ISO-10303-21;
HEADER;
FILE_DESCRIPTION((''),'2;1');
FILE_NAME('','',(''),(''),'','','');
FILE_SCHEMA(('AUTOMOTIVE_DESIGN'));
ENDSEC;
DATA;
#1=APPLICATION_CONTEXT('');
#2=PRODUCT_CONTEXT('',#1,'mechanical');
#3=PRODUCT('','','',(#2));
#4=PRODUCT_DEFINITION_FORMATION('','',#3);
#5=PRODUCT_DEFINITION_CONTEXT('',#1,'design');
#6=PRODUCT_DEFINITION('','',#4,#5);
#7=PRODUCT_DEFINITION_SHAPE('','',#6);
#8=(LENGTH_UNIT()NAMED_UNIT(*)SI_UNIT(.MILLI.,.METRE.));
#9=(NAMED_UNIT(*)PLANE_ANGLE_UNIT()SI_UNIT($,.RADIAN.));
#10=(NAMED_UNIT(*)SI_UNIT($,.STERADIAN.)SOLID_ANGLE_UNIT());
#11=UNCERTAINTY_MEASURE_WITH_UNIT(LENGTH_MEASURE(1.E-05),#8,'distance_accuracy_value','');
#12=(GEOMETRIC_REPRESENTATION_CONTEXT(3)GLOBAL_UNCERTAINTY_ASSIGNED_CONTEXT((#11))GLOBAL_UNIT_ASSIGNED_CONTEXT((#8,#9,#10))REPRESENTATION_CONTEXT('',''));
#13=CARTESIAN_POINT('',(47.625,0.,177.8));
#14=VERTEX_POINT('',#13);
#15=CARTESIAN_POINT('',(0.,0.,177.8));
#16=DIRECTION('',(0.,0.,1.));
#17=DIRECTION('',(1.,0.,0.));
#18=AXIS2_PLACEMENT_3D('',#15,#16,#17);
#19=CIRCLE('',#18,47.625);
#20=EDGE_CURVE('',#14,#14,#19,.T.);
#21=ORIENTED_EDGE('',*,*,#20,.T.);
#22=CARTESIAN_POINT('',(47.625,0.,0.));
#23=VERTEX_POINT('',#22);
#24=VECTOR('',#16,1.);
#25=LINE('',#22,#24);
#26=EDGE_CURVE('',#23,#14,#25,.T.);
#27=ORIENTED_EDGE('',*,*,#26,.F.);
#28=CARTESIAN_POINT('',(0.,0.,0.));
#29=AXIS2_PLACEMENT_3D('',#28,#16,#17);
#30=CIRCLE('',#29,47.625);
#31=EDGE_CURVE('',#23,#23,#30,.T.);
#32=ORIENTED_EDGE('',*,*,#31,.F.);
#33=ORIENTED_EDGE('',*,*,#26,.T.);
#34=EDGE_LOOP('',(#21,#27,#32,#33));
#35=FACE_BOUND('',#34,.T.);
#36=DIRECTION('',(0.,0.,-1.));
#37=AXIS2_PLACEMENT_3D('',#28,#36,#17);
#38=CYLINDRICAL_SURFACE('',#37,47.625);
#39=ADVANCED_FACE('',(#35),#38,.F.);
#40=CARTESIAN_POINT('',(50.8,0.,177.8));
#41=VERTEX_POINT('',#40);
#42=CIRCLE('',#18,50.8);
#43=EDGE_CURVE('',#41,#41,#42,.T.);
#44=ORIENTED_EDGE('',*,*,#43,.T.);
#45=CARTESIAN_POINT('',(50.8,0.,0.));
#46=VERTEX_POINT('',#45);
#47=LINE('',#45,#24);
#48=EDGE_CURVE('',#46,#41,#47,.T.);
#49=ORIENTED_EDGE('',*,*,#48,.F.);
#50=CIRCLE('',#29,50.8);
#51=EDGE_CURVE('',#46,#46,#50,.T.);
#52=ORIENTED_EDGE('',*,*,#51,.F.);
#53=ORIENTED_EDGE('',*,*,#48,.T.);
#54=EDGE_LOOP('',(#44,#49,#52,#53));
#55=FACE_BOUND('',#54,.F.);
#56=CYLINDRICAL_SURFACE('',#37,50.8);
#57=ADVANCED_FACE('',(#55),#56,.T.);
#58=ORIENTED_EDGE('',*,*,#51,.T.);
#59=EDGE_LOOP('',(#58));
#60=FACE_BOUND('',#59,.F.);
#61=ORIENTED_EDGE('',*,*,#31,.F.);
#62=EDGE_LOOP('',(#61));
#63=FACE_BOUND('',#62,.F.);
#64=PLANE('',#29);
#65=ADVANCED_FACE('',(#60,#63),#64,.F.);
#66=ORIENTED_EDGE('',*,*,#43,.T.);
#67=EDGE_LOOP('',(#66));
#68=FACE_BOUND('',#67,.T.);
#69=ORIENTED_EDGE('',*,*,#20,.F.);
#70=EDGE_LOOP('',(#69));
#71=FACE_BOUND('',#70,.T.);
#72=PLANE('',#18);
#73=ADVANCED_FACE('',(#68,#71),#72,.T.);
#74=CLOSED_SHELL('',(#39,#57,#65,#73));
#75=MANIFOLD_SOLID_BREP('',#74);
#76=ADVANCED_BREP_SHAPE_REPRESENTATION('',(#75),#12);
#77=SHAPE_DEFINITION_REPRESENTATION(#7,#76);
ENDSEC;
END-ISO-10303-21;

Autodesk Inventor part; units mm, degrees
ref_plane "YZ Plane" through (0, 0, 0) normal (1, 0, 0) x (0, 1, 0)
ref_plane "XZ Plane" through (0, 0, 0) normal (0, 1, 0) x (-1, 0, 0)
ref_plane "XY Plane" through (0, 0, 0) normal (0, 0, 1) x (1, 0, 0)
sketch "Sketch1" plane through (0, 0, 0) normal (0, 0, 1) x (1, 0, 0)
  circle A0 centre (0, 0) radius 50.8
  circle A1 centre (0, 0) radius 47.625
  dimension "d0" = 101.6
  dimension "d1" = 95.25
extrude "Extrusion1" add sketch "Sketch1" along normal blind 177.8
properties part number "pressure section" material "Polycarbonate, Clear"
